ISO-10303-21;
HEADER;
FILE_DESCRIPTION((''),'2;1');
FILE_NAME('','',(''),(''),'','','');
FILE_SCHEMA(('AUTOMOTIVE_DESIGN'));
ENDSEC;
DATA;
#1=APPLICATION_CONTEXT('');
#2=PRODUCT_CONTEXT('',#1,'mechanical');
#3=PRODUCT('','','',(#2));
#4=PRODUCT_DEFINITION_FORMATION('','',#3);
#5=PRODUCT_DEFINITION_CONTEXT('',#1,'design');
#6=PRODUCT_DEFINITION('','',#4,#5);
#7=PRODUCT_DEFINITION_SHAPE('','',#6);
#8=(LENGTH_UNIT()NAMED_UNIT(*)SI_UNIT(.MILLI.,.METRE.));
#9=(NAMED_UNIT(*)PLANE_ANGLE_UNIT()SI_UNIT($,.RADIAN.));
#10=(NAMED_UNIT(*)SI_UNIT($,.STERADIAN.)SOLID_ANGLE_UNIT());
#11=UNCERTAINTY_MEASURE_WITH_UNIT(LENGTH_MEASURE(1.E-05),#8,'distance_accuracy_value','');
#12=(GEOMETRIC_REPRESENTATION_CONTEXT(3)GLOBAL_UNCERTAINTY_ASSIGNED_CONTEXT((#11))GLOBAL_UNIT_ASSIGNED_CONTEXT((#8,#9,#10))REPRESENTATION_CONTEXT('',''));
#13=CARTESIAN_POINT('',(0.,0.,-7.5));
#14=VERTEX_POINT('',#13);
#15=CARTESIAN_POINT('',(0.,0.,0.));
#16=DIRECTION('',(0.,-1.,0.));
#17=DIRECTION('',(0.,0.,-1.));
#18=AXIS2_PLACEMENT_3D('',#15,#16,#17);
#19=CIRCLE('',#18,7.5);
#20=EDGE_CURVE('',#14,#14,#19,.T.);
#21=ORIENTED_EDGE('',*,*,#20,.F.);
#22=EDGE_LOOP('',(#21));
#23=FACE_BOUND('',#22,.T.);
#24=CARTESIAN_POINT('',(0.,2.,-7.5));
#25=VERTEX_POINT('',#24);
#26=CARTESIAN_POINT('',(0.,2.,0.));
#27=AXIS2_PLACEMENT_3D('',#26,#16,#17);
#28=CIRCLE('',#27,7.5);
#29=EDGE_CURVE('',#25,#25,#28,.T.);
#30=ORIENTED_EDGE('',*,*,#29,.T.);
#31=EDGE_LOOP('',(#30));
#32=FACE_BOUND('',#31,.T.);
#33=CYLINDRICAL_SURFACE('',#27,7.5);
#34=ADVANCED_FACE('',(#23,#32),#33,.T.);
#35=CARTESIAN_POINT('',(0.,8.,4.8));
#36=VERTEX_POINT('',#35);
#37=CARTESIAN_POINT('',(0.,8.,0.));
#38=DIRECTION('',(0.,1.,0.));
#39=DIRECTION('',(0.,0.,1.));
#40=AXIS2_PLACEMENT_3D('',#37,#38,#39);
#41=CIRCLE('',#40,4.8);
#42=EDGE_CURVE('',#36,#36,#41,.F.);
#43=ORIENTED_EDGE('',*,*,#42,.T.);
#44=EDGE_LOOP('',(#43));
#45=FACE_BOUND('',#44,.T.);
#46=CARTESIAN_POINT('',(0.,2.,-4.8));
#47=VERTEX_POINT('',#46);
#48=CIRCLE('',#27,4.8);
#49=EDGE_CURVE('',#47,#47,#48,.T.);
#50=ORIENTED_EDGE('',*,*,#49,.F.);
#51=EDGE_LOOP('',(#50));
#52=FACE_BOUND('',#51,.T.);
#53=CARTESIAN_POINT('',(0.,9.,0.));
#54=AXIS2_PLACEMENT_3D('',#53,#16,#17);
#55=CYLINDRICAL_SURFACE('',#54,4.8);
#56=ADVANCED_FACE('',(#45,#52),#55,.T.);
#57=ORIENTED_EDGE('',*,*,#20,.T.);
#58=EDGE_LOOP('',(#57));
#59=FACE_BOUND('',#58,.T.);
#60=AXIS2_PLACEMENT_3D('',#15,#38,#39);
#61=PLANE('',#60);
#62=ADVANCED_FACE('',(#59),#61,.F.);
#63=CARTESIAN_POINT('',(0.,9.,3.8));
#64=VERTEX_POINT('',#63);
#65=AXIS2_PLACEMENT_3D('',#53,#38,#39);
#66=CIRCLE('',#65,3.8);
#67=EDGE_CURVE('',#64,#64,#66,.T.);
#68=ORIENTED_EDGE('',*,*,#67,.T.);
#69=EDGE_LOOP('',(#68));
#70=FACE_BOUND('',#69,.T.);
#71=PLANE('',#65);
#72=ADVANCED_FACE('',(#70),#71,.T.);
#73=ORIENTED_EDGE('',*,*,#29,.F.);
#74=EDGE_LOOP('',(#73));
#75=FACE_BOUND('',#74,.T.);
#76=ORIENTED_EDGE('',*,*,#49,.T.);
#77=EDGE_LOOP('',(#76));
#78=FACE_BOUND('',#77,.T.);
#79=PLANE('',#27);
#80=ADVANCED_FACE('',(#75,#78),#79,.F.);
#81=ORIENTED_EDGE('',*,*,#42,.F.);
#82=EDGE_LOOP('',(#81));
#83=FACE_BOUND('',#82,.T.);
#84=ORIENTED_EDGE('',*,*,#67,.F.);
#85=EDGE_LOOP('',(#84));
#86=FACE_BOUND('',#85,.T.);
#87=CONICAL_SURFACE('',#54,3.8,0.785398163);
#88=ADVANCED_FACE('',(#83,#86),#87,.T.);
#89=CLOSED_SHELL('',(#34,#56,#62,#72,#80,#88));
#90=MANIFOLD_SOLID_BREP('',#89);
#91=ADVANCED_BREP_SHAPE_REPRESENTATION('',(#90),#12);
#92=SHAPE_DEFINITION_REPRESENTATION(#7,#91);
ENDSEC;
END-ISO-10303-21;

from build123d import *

# Parameters (mm, degrees)
SKETCH1_R           = 4.8
BOSS_EXTRUDE1_DEPTH = 9
SKETCH2_R           = 7.5
BOSS_EXTRUDE2_DEPTH = 2
CHAMFER1_SIZE       = 1


with BuildPart() as part:
    # Sketch1 → Boss-Extrude1 (new body)
    with BuildSketch(Plane(origin=(0, 0, 0), x_dir=(1, 0, 0), z_dir=(0, 1, 0))):
        with Locations(Location((0, 0, 0), (0, 0, 270))):
            Circle(SKETCH1_R)
    extrude(amount=BOSS_EXTRUDE1_DEPTH)

    # Sketch2 → Boss-Extrude2 (add)
    with BuildSketch(Plane.XZ):
        with Locations(Location((0, 0, 0), (0, 0, 270))):
            Circle(SKETCH2_R)
    extrude(amount=-BOSS_EXTRUDE2_DEPTH)

    # Chamfer1
    chamfer1_edges = [part.edges().sort_by_distance(p)[0] for p in [
        (0, 9, -4.8),
    ]]
    chamfer(chamfer1_edges, length=CHAMFER1_SIZE)


solid = part.part
